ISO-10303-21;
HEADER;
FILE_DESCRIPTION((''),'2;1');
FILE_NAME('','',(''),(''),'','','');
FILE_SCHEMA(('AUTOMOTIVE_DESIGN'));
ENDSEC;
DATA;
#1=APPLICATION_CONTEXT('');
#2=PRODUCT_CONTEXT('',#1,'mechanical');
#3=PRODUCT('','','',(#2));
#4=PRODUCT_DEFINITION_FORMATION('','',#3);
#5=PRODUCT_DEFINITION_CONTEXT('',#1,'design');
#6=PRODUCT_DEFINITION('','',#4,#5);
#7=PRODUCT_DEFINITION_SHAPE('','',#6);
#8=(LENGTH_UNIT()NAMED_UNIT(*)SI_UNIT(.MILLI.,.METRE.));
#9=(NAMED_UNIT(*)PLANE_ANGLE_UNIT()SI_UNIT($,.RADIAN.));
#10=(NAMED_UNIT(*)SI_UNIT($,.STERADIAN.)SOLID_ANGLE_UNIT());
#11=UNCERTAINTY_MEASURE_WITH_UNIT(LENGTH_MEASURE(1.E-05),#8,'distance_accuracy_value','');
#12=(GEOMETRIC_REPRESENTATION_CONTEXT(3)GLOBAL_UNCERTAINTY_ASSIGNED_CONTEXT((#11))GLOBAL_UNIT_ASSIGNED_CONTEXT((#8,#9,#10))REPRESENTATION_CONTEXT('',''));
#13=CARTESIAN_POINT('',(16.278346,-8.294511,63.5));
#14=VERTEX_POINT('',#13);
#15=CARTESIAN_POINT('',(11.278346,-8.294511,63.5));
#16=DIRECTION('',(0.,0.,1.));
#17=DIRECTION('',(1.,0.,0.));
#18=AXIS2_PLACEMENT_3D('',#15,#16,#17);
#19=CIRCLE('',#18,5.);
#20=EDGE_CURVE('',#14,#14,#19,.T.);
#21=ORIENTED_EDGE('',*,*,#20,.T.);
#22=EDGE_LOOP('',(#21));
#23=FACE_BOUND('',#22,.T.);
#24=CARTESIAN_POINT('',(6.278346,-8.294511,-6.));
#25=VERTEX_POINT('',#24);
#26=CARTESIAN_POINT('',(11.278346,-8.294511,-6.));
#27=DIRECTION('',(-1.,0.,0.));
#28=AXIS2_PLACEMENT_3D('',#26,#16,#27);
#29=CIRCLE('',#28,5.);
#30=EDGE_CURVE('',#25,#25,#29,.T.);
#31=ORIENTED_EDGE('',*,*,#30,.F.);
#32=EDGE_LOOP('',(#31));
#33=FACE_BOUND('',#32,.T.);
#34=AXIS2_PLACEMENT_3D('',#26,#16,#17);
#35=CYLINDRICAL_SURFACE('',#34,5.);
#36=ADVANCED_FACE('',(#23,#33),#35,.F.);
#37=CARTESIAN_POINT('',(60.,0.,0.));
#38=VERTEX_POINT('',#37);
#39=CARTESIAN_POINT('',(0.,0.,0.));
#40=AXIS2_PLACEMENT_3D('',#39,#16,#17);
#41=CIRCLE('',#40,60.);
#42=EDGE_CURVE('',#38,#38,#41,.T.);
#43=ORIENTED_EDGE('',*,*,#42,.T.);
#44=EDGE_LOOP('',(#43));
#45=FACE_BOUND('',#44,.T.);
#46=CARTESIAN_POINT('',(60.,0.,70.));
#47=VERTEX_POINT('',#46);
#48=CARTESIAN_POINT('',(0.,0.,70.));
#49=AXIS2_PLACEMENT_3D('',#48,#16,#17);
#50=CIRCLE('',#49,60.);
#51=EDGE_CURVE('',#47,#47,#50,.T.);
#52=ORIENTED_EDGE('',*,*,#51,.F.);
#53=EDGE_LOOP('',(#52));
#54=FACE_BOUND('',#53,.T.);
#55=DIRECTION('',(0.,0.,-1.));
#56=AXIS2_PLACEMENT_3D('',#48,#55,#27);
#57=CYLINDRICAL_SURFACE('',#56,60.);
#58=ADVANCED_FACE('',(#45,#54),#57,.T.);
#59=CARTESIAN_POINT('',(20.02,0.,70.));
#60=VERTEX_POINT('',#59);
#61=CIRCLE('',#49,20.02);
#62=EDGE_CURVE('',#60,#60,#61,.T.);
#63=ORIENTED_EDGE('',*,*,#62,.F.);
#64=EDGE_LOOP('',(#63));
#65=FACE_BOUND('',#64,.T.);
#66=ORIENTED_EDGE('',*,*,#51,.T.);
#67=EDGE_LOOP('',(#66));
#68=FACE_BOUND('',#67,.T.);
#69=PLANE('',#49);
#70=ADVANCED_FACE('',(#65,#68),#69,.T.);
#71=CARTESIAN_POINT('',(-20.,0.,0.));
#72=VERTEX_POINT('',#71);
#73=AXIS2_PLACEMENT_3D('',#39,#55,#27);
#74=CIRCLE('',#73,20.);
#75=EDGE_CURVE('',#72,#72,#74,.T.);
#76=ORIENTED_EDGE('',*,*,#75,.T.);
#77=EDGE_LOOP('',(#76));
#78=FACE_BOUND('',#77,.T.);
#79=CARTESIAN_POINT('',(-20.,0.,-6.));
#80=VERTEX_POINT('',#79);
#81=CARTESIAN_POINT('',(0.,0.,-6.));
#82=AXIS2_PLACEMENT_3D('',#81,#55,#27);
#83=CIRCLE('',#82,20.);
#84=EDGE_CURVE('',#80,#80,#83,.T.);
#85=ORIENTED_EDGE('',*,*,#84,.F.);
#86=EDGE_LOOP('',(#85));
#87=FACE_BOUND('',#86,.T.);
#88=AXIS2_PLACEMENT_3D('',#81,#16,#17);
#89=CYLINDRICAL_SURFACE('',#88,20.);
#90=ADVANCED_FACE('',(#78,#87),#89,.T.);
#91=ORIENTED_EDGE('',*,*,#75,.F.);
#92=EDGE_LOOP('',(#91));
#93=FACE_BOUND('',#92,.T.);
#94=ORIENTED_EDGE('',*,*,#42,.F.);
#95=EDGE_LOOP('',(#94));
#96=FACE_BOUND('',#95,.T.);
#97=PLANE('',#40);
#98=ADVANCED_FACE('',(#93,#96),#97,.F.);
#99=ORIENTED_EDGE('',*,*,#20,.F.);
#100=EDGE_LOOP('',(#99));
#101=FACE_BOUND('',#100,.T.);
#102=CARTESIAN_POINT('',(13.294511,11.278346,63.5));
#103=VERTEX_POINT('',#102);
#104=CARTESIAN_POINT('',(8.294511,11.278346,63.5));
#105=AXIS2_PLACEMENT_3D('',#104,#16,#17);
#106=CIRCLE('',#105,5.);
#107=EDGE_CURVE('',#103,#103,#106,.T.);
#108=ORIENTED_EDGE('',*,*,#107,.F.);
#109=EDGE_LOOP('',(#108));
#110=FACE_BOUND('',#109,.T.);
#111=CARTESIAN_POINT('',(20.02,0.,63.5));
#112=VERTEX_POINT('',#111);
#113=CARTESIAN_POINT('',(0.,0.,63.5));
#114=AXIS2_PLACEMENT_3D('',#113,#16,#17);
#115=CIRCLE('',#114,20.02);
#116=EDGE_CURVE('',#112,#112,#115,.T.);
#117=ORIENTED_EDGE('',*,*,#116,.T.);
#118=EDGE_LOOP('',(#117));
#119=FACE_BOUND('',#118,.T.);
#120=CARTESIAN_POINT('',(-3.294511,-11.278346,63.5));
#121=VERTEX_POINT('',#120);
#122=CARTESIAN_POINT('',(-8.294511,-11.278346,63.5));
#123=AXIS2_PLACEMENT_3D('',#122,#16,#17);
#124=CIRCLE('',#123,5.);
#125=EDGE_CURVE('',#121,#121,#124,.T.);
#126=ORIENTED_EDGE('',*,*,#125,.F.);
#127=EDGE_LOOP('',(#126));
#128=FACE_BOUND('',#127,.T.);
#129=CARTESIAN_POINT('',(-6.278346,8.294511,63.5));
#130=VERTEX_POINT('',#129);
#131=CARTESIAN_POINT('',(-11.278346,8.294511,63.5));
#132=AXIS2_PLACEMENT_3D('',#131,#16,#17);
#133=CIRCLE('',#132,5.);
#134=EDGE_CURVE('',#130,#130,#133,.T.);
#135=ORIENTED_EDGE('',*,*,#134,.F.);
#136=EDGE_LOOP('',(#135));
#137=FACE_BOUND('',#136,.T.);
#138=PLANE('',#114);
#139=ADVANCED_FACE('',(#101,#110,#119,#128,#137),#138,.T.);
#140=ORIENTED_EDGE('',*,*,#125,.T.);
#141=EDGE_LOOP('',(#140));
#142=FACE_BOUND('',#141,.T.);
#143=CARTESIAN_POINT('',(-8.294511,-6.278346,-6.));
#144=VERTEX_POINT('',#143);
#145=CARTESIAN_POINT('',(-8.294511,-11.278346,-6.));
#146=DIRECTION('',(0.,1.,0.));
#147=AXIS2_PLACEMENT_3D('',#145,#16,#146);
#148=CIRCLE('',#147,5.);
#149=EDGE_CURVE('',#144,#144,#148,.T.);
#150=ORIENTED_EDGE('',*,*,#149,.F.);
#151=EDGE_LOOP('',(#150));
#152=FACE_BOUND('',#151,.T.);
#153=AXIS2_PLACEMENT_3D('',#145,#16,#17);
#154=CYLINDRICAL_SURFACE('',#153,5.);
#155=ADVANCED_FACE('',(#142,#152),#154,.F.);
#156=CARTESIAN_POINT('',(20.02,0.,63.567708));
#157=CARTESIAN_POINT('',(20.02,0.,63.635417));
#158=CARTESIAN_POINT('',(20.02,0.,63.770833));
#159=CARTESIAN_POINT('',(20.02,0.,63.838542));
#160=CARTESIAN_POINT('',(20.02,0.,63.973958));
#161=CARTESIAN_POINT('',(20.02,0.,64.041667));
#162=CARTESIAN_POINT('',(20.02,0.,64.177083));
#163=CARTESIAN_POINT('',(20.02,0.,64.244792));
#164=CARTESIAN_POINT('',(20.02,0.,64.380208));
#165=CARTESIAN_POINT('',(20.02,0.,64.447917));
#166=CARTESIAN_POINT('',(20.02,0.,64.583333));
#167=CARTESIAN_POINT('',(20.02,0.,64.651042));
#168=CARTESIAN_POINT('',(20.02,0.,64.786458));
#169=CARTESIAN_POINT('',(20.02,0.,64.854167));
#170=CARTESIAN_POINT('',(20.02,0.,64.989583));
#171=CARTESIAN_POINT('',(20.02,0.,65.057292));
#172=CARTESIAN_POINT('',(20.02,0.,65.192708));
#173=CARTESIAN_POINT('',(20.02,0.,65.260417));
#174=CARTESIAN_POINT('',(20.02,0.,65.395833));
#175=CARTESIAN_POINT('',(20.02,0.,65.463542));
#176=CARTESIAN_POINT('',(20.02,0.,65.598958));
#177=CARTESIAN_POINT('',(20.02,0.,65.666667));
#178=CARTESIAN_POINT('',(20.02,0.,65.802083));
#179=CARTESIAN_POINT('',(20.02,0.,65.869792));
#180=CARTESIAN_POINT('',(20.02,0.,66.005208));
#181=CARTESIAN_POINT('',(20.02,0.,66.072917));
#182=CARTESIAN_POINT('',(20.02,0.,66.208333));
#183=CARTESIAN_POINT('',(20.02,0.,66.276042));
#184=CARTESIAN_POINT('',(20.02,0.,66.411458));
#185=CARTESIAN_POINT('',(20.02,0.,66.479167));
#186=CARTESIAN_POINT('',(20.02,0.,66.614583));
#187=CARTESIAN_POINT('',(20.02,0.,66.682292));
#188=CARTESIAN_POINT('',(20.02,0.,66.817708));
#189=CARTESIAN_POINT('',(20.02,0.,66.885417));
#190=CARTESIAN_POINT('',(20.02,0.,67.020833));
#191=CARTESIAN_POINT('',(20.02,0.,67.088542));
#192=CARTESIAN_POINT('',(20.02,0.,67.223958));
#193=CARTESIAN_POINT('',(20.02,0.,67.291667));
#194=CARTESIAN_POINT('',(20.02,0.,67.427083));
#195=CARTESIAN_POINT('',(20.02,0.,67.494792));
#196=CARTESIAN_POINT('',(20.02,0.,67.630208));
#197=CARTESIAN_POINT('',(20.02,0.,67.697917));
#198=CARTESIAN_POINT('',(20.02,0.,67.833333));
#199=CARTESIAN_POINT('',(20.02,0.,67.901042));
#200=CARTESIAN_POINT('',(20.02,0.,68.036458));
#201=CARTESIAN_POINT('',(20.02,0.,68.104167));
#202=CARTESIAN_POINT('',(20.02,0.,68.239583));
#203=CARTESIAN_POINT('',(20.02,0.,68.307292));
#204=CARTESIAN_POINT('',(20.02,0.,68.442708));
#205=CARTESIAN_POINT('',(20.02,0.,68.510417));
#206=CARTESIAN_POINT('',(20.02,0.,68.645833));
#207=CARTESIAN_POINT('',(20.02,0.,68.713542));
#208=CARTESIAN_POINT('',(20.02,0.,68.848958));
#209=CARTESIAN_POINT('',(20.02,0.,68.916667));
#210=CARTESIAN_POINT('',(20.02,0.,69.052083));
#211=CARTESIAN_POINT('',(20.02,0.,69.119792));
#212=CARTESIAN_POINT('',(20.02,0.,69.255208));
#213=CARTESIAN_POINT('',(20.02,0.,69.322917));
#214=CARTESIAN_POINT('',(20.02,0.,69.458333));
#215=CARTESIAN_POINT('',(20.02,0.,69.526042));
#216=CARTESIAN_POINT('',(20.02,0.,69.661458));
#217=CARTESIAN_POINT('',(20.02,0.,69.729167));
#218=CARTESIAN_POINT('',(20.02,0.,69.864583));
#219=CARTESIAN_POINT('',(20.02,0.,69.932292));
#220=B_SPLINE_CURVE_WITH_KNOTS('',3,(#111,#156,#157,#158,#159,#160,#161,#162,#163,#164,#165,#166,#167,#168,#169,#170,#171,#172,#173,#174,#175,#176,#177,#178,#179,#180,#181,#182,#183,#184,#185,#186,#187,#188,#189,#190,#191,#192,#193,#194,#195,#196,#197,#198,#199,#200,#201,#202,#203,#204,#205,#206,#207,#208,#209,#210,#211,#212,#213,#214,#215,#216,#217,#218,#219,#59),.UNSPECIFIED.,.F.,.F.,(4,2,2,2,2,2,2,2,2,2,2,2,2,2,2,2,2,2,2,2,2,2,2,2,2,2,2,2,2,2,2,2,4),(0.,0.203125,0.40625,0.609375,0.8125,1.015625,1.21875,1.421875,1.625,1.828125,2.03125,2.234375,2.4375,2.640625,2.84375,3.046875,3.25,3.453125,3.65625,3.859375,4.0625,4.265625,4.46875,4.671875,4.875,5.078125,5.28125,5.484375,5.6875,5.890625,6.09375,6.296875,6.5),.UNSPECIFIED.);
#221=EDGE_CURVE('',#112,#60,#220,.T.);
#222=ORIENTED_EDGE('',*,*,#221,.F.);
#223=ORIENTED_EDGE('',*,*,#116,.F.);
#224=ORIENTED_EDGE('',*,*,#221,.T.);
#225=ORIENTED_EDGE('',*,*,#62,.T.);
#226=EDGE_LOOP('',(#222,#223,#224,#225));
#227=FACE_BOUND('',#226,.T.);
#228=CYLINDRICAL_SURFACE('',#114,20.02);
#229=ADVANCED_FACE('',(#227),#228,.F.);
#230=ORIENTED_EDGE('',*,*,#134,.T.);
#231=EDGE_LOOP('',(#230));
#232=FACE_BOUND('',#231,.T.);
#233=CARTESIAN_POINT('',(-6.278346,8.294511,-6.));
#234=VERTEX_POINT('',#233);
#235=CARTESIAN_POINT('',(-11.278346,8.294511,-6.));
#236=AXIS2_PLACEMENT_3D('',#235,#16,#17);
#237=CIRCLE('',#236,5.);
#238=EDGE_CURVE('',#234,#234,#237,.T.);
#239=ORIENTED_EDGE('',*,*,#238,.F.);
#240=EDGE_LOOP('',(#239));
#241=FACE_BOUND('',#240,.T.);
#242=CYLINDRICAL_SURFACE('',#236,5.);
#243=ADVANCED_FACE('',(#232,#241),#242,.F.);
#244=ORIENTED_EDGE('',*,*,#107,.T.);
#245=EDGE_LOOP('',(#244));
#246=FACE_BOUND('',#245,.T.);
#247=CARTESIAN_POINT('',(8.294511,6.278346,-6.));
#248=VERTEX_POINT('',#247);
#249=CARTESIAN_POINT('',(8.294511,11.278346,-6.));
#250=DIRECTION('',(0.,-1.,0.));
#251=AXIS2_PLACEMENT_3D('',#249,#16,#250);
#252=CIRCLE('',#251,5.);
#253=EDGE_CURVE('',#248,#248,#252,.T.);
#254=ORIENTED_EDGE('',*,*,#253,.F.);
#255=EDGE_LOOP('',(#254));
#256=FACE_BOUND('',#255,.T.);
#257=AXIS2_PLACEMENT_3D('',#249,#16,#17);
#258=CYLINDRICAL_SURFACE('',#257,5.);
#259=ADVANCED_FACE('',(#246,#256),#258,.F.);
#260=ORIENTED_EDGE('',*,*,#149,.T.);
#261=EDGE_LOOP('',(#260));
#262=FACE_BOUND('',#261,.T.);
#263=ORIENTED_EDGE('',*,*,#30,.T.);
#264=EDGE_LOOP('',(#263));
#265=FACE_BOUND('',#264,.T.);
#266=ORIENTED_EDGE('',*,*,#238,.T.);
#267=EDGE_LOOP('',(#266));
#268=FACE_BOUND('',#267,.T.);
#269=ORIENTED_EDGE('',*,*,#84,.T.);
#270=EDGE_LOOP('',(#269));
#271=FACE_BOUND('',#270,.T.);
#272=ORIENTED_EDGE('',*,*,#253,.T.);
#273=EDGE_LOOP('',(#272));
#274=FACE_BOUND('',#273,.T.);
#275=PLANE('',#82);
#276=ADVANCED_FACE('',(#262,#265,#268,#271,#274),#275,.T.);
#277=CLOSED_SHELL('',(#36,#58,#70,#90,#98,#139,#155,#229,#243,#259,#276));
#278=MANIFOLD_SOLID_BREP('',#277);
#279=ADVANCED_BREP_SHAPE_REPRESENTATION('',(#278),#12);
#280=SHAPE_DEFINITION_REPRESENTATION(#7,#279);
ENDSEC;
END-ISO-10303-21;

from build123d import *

# Parameters (mm, degrees)
SKETCH1_R           = 60
BOSS_EXTRUDE1_DEPTH = 70
SKETCH2_R           = 20.02
CUT_EXTRUDE1_DEPTH  = 6.5
SKETCH3_R           = 20
BOSS_EXTRUDE2_DEPTH = 6
SKETCH4_R           = 5
CUT_EXTRUDE2_DEPTH  = 114.912246927
CIRPATTERN1_COUNT   = 4


with BuildPart() as part:
    # Sketch1 → Boss-Extrude1 (new body)
    with BuildSketch(Plane.XY):
        Circle(SKETCH1_R)
    extrude(amount=BOSS_EXTRUDE1_DEPTH)

    # Sketch2 → Cut-Extrude1 (cut)
    with BuildSketch(Plane.XY.offset(70)):
        Circle(SKETCH2_R)
    extrude(amount=-CUT_EXTRUDE1_DEPTH, mode=Mode.SUBTRACT)

    # Sketch3 → Boss-Extrude2 (add)
    with BuildSketch(Plane(origin=(0, 0, 0), x_dir=(-1, 0, 0), z_dir=(0, 0, -1))):
        Circle(SKETCH3_R)
    extrude(amount=BOSS_EXTRUDE2_DEPTH)

    # Sketch4 → Cut-Extrude2 (cut, through all)
    with BuildSketch(Plane.XY.offset(70)):
        with Locations((-11.27834561, 8.294511456)):
            Circle(SKETCH4_R)
    cut_extrude2 = extrude(amount=-CUT_EXTRUDE2_DEPTH, mode=Mode.SUBTRACT)

    # CirPattern1: Cut-Extrude2 ×4 about axis
    cirpattern1_axis = Axis((0, 0, 0), (0, 0, 1))
    for i in range(1, CIRPATTERN1_COUNT):
        add(cut_extrude2.rotate(cirpattern1_axis, i * 360 / CIRPATTERN1_COUNT), mode=Mode.SUBTRACT)


solid = part.part
